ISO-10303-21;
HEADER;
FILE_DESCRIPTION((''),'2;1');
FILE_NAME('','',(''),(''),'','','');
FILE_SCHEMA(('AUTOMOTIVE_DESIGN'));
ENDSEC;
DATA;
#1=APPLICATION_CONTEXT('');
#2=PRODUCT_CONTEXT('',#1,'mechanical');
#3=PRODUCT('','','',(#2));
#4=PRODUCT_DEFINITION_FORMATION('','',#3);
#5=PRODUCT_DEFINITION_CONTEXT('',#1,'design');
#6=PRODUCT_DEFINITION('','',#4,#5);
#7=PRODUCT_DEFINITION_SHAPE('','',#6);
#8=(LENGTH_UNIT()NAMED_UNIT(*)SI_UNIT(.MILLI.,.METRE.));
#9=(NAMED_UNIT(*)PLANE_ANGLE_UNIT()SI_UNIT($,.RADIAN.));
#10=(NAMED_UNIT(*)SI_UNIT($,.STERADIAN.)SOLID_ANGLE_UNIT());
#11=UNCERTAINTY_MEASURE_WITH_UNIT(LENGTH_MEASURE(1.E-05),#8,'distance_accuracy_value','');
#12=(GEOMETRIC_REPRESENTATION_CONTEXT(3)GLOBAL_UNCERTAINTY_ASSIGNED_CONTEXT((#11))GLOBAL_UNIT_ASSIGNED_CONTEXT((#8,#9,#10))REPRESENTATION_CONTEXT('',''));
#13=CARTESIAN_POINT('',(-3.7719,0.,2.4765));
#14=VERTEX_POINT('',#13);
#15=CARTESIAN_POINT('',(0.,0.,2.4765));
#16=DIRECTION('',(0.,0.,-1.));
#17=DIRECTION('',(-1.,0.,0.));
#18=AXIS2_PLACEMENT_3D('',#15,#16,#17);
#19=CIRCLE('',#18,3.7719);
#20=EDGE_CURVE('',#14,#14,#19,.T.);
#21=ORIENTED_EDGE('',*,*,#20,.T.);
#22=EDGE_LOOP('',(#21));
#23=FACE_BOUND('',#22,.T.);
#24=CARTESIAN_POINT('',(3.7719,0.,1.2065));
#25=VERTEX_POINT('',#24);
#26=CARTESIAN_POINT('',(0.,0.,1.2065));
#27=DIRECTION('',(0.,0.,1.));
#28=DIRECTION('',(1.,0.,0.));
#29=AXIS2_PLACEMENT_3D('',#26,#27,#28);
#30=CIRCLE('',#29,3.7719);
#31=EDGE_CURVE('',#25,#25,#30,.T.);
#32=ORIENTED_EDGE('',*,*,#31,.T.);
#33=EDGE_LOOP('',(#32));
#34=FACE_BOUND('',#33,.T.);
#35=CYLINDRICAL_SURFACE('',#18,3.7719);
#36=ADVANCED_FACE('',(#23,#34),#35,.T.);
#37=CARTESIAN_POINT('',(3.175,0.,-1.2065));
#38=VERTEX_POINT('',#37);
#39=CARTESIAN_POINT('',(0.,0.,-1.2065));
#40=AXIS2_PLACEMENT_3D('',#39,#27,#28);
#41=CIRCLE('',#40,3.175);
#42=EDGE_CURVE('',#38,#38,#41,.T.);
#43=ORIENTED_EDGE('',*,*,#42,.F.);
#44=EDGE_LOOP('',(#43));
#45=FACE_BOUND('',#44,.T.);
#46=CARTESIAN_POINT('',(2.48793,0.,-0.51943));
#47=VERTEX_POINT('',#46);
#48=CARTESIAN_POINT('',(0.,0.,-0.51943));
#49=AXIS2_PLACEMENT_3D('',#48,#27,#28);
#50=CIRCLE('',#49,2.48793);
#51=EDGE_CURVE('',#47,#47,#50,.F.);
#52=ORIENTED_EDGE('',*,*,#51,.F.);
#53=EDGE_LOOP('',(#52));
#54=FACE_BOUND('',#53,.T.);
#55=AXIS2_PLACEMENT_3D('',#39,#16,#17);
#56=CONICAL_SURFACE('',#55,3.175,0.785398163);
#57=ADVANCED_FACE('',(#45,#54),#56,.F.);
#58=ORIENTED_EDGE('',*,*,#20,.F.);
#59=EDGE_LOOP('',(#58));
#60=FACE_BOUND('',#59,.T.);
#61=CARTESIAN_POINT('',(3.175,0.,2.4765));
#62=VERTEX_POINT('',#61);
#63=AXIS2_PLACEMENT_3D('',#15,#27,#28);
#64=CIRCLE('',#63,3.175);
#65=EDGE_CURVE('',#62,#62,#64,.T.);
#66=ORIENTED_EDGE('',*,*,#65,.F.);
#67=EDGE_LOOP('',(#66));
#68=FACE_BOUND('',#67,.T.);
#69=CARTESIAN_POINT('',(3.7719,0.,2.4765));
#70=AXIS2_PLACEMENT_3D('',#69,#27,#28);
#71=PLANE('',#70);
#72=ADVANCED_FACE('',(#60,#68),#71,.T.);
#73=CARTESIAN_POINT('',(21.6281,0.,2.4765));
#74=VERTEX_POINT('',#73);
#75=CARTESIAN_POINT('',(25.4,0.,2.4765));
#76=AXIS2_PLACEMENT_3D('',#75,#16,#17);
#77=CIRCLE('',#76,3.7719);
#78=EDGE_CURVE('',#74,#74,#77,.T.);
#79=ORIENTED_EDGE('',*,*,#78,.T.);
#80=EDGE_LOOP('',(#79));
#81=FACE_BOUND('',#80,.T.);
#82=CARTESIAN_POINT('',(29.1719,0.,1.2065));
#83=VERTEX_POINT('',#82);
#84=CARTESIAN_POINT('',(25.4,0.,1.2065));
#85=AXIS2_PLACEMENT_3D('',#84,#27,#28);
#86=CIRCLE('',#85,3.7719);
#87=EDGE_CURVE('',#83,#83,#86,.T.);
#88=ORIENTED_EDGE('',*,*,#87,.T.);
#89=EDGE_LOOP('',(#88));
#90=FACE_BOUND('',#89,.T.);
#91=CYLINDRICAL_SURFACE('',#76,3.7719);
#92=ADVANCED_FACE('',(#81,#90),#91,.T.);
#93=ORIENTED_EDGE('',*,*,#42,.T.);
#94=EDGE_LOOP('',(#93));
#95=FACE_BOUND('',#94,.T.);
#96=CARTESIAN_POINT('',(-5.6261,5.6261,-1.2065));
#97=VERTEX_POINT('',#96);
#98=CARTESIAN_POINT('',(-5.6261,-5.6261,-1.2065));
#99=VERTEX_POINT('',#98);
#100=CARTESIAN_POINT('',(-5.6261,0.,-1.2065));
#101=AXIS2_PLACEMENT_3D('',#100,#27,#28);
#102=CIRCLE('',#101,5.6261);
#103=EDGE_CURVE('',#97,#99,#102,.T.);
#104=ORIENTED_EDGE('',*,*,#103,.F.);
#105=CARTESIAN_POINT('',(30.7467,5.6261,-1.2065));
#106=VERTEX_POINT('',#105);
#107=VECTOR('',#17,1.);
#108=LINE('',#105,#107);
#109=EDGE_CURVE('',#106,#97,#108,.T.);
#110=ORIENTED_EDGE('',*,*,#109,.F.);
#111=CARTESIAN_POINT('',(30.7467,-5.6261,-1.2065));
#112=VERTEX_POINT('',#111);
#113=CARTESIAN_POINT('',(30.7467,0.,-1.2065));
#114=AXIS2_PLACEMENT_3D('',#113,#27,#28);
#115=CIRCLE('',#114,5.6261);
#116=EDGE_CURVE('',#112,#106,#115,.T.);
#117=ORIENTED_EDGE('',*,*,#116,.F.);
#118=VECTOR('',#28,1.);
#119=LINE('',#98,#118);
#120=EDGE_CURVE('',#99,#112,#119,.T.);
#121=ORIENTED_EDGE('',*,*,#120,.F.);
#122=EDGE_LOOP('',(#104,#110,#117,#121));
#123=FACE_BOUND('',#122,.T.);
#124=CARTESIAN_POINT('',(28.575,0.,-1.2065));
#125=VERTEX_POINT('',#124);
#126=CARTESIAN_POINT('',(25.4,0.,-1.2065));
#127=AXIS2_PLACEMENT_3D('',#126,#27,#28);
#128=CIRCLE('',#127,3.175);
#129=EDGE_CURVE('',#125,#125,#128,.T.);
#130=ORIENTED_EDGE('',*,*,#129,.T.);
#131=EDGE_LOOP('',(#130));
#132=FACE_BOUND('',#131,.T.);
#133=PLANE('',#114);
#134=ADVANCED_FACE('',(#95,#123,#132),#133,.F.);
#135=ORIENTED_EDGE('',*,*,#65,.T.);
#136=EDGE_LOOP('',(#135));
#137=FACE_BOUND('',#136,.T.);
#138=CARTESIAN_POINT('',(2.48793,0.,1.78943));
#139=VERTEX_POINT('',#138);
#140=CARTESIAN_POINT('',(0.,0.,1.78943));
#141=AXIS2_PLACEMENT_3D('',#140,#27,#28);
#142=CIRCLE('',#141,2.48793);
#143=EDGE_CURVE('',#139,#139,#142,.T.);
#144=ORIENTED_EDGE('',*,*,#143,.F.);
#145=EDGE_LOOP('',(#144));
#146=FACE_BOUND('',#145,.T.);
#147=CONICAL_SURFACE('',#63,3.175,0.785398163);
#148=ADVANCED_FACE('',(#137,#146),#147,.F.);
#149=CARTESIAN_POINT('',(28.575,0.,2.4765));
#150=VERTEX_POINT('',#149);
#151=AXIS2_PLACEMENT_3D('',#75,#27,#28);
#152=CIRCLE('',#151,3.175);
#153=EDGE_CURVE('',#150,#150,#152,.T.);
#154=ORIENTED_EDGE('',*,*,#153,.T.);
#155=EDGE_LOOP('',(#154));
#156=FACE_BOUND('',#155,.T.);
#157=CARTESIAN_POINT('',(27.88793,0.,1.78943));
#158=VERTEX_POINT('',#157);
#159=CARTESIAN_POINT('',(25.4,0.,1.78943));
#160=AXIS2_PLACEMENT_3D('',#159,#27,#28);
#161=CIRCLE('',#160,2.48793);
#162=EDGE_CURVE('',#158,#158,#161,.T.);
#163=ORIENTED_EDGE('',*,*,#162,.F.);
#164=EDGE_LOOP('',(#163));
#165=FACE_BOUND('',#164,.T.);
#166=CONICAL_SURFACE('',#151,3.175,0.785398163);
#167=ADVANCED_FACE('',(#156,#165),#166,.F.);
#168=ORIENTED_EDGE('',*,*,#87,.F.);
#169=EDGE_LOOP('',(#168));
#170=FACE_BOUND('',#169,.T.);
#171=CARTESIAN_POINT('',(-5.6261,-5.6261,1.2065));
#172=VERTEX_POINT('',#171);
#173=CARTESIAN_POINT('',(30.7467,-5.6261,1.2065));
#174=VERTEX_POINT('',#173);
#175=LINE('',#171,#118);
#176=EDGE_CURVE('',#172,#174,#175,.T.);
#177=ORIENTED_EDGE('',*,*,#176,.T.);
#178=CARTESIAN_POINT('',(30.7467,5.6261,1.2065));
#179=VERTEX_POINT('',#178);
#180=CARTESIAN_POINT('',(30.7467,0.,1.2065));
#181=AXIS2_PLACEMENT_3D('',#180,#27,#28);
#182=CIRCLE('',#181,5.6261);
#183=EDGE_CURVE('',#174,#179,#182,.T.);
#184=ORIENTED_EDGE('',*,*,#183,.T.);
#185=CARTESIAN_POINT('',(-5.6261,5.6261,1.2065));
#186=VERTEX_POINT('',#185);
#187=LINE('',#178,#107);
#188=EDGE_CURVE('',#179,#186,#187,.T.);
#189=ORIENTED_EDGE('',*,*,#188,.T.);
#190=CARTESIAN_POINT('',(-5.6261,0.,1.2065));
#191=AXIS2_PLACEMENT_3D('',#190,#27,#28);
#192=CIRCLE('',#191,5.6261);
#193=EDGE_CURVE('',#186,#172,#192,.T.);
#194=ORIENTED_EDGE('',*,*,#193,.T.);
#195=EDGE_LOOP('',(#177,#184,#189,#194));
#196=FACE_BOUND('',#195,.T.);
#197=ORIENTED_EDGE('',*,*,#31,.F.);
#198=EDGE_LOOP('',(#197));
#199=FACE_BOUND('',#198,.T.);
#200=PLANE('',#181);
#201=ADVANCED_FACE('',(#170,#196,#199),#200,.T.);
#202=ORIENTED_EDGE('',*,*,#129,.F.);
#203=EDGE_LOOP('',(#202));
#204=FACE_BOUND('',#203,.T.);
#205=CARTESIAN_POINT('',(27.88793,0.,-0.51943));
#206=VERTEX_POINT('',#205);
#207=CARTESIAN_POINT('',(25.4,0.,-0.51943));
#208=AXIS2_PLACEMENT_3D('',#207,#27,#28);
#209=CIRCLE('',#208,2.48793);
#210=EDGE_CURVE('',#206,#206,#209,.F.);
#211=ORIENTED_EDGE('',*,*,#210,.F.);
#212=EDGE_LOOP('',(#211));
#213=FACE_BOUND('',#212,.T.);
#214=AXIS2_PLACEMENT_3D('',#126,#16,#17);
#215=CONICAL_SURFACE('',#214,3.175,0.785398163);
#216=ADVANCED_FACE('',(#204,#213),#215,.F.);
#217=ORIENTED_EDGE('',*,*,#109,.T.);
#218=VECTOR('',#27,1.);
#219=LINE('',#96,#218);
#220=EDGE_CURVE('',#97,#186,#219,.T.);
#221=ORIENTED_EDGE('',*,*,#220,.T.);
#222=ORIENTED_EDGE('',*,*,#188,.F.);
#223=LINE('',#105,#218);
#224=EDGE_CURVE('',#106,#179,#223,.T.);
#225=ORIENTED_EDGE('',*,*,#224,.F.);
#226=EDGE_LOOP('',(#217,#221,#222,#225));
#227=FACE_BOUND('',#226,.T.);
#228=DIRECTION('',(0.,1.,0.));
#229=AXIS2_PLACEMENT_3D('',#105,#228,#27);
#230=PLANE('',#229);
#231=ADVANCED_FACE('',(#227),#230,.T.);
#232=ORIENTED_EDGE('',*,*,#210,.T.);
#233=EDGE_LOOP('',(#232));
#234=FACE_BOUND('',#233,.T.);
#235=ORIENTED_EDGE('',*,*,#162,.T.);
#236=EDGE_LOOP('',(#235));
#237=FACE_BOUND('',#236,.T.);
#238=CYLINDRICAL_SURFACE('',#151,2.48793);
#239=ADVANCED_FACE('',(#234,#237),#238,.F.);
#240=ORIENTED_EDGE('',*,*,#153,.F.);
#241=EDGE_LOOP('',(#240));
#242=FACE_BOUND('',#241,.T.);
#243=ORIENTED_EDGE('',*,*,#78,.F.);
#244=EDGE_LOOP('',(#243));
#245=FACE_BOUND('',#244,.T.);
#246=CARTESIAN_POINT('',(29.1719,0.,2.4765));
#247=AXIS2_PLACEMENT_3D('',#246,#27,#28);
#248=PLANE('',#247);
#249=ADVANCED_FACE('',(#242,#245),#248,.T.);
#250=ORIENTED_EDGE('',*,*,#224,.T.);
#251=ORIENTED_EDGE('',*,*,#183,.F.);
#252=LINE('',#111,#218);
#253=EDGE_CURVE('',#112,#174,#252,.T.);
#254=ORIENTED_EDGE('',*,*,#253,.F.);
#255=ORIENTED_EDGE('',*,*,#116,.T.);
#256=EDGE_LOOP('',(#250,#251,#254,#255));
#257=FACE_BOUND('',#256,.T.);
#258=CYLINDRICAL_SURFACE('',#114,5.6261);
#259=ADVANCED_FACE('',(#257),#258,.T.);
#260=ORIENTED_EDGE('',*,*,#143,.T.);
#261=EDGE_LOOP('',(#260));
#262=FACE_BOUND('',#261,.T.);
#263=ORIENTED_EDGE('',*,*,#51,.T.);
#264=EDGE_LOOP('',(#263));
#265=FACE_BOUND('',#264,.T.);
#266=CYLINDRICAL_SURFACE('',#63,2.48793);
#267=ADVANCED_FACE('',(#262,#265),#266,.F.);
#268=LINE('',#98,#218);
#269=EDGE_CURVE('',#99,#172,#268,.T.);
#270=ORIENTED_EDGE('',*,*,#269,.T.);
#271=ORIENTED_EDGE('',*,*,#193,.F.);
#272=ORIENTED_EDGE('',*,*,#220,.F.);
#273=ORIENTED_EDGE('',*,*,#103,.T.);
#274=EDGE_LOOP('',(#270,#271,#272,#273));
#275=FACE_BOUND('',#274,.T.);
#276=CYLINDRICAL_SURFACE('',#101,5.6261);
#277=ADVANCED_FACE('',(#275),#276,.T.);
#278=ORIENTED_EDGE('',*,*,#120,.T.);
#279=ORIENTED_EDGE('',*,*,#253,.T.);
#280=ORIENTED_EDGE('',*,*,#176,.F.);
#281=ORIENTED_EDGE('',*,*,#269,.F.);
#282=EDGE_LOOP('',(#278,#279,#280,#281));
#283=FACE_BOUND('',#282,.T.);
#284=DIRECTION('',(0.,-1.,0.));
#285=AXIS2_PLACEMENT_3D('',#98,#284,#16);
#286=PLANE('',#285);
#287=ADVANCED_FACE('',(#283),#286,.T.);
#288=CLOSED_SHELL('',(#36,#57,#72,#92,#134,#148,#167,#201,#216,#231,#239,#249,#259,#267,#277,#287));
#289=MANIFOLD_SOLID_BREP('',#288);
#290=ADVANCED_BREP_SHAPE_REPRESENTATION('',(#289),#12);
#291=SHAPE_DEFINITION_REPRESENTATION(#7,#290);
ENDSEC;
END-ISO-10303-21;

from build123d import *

# Parameters (mm, degrees)
BOSS_EXTRUDE1_DEPTH = 2.413
SKETCH2_W           = 3.7719
SKETCH2_H           = 1.27
SKETCH3_W           = 3.7719
SKETCH3_H           = 1.27
HOLE1_D             = 4.97586
HOLE1_CSINK_D       = 6.35
HOLE1_CSINK_ANGLE   = 90
CHAMFER1_SIZE       = 0.68707


with BuildPart() as part:
    # Sketch1 → Boss-Extrude1 (new body)
    with BuildSketch(Plane.XY.offset(1.2065)):
        with BuildLine():
            Line((30.7467, 5.6261), (-5.6261, 5.6261))
            ThreePointArc((-5.6261, 5.6261), (-11.2522, 0), (-5.6261, -5.6261))
            Line((-5.6261, -5.6261), (30.7467, -5.6261))
            ThreePointArc((30.7467, -5.6261), (36.3728, 0), (30.7467, 5.6261))
        make_face()
    extrude(amount=-BOSS_EXTRUDE1_DEPTH)

    # Sketch2 → Revolve1 (revolve)
    with BuildSketch(Plane.XZ, mode=Mode.PRIVATE) as revolve1_sk:
        with Locations((1.88595, 1.8415)):
            Rectangle(SKETCH2_W, SKETCH2_H)
    revolve(revolve1_sk.sketch.rotate(Axis((0, 0, 2.4765), (0, 0, -1)), 180), axis=Axis((0, 0, 2.4765), (0, 0, -1)))

    # Sketch3 → Revolve2 (revolve)
    with BuildSketch(Plane.XZ, mode=Mode.PRIVATE) as revolve2_sk:
        with Locations((27.28595, 1.8415)):
            Rectangle(SKETCH3_W, SKETCH3_H)
    revolve(revolve2_sk.sketch.rotate(Axis((25.4, 0, 2.4765), (0, 0, -1)), 180), axis=Axis((25.4, 0, 2.4765), (0, 0, -1)))

    # Hole1 (through all)
    with Locations(Plane.XY.offset(2.4765)):
        with Locations((0, 0), (25.4, 0)):
            CounterSinkHole(HOLE1_D / 2, HOLE1_CSINK_D / 2, counter_sink_angle=HOLE1_CSINK_ANGLE)

    # Chamfer1
    chamfer1_edges = [part.edges().sort_by_distance(p)[0] for p in [
        (27.88793, 0, -1.2065),
        (2.48793, 0, -1.2065),
    ]]
    chamfer(chamfer1_edges, length=CHAMFER1_SIZE)


solid = part.part
